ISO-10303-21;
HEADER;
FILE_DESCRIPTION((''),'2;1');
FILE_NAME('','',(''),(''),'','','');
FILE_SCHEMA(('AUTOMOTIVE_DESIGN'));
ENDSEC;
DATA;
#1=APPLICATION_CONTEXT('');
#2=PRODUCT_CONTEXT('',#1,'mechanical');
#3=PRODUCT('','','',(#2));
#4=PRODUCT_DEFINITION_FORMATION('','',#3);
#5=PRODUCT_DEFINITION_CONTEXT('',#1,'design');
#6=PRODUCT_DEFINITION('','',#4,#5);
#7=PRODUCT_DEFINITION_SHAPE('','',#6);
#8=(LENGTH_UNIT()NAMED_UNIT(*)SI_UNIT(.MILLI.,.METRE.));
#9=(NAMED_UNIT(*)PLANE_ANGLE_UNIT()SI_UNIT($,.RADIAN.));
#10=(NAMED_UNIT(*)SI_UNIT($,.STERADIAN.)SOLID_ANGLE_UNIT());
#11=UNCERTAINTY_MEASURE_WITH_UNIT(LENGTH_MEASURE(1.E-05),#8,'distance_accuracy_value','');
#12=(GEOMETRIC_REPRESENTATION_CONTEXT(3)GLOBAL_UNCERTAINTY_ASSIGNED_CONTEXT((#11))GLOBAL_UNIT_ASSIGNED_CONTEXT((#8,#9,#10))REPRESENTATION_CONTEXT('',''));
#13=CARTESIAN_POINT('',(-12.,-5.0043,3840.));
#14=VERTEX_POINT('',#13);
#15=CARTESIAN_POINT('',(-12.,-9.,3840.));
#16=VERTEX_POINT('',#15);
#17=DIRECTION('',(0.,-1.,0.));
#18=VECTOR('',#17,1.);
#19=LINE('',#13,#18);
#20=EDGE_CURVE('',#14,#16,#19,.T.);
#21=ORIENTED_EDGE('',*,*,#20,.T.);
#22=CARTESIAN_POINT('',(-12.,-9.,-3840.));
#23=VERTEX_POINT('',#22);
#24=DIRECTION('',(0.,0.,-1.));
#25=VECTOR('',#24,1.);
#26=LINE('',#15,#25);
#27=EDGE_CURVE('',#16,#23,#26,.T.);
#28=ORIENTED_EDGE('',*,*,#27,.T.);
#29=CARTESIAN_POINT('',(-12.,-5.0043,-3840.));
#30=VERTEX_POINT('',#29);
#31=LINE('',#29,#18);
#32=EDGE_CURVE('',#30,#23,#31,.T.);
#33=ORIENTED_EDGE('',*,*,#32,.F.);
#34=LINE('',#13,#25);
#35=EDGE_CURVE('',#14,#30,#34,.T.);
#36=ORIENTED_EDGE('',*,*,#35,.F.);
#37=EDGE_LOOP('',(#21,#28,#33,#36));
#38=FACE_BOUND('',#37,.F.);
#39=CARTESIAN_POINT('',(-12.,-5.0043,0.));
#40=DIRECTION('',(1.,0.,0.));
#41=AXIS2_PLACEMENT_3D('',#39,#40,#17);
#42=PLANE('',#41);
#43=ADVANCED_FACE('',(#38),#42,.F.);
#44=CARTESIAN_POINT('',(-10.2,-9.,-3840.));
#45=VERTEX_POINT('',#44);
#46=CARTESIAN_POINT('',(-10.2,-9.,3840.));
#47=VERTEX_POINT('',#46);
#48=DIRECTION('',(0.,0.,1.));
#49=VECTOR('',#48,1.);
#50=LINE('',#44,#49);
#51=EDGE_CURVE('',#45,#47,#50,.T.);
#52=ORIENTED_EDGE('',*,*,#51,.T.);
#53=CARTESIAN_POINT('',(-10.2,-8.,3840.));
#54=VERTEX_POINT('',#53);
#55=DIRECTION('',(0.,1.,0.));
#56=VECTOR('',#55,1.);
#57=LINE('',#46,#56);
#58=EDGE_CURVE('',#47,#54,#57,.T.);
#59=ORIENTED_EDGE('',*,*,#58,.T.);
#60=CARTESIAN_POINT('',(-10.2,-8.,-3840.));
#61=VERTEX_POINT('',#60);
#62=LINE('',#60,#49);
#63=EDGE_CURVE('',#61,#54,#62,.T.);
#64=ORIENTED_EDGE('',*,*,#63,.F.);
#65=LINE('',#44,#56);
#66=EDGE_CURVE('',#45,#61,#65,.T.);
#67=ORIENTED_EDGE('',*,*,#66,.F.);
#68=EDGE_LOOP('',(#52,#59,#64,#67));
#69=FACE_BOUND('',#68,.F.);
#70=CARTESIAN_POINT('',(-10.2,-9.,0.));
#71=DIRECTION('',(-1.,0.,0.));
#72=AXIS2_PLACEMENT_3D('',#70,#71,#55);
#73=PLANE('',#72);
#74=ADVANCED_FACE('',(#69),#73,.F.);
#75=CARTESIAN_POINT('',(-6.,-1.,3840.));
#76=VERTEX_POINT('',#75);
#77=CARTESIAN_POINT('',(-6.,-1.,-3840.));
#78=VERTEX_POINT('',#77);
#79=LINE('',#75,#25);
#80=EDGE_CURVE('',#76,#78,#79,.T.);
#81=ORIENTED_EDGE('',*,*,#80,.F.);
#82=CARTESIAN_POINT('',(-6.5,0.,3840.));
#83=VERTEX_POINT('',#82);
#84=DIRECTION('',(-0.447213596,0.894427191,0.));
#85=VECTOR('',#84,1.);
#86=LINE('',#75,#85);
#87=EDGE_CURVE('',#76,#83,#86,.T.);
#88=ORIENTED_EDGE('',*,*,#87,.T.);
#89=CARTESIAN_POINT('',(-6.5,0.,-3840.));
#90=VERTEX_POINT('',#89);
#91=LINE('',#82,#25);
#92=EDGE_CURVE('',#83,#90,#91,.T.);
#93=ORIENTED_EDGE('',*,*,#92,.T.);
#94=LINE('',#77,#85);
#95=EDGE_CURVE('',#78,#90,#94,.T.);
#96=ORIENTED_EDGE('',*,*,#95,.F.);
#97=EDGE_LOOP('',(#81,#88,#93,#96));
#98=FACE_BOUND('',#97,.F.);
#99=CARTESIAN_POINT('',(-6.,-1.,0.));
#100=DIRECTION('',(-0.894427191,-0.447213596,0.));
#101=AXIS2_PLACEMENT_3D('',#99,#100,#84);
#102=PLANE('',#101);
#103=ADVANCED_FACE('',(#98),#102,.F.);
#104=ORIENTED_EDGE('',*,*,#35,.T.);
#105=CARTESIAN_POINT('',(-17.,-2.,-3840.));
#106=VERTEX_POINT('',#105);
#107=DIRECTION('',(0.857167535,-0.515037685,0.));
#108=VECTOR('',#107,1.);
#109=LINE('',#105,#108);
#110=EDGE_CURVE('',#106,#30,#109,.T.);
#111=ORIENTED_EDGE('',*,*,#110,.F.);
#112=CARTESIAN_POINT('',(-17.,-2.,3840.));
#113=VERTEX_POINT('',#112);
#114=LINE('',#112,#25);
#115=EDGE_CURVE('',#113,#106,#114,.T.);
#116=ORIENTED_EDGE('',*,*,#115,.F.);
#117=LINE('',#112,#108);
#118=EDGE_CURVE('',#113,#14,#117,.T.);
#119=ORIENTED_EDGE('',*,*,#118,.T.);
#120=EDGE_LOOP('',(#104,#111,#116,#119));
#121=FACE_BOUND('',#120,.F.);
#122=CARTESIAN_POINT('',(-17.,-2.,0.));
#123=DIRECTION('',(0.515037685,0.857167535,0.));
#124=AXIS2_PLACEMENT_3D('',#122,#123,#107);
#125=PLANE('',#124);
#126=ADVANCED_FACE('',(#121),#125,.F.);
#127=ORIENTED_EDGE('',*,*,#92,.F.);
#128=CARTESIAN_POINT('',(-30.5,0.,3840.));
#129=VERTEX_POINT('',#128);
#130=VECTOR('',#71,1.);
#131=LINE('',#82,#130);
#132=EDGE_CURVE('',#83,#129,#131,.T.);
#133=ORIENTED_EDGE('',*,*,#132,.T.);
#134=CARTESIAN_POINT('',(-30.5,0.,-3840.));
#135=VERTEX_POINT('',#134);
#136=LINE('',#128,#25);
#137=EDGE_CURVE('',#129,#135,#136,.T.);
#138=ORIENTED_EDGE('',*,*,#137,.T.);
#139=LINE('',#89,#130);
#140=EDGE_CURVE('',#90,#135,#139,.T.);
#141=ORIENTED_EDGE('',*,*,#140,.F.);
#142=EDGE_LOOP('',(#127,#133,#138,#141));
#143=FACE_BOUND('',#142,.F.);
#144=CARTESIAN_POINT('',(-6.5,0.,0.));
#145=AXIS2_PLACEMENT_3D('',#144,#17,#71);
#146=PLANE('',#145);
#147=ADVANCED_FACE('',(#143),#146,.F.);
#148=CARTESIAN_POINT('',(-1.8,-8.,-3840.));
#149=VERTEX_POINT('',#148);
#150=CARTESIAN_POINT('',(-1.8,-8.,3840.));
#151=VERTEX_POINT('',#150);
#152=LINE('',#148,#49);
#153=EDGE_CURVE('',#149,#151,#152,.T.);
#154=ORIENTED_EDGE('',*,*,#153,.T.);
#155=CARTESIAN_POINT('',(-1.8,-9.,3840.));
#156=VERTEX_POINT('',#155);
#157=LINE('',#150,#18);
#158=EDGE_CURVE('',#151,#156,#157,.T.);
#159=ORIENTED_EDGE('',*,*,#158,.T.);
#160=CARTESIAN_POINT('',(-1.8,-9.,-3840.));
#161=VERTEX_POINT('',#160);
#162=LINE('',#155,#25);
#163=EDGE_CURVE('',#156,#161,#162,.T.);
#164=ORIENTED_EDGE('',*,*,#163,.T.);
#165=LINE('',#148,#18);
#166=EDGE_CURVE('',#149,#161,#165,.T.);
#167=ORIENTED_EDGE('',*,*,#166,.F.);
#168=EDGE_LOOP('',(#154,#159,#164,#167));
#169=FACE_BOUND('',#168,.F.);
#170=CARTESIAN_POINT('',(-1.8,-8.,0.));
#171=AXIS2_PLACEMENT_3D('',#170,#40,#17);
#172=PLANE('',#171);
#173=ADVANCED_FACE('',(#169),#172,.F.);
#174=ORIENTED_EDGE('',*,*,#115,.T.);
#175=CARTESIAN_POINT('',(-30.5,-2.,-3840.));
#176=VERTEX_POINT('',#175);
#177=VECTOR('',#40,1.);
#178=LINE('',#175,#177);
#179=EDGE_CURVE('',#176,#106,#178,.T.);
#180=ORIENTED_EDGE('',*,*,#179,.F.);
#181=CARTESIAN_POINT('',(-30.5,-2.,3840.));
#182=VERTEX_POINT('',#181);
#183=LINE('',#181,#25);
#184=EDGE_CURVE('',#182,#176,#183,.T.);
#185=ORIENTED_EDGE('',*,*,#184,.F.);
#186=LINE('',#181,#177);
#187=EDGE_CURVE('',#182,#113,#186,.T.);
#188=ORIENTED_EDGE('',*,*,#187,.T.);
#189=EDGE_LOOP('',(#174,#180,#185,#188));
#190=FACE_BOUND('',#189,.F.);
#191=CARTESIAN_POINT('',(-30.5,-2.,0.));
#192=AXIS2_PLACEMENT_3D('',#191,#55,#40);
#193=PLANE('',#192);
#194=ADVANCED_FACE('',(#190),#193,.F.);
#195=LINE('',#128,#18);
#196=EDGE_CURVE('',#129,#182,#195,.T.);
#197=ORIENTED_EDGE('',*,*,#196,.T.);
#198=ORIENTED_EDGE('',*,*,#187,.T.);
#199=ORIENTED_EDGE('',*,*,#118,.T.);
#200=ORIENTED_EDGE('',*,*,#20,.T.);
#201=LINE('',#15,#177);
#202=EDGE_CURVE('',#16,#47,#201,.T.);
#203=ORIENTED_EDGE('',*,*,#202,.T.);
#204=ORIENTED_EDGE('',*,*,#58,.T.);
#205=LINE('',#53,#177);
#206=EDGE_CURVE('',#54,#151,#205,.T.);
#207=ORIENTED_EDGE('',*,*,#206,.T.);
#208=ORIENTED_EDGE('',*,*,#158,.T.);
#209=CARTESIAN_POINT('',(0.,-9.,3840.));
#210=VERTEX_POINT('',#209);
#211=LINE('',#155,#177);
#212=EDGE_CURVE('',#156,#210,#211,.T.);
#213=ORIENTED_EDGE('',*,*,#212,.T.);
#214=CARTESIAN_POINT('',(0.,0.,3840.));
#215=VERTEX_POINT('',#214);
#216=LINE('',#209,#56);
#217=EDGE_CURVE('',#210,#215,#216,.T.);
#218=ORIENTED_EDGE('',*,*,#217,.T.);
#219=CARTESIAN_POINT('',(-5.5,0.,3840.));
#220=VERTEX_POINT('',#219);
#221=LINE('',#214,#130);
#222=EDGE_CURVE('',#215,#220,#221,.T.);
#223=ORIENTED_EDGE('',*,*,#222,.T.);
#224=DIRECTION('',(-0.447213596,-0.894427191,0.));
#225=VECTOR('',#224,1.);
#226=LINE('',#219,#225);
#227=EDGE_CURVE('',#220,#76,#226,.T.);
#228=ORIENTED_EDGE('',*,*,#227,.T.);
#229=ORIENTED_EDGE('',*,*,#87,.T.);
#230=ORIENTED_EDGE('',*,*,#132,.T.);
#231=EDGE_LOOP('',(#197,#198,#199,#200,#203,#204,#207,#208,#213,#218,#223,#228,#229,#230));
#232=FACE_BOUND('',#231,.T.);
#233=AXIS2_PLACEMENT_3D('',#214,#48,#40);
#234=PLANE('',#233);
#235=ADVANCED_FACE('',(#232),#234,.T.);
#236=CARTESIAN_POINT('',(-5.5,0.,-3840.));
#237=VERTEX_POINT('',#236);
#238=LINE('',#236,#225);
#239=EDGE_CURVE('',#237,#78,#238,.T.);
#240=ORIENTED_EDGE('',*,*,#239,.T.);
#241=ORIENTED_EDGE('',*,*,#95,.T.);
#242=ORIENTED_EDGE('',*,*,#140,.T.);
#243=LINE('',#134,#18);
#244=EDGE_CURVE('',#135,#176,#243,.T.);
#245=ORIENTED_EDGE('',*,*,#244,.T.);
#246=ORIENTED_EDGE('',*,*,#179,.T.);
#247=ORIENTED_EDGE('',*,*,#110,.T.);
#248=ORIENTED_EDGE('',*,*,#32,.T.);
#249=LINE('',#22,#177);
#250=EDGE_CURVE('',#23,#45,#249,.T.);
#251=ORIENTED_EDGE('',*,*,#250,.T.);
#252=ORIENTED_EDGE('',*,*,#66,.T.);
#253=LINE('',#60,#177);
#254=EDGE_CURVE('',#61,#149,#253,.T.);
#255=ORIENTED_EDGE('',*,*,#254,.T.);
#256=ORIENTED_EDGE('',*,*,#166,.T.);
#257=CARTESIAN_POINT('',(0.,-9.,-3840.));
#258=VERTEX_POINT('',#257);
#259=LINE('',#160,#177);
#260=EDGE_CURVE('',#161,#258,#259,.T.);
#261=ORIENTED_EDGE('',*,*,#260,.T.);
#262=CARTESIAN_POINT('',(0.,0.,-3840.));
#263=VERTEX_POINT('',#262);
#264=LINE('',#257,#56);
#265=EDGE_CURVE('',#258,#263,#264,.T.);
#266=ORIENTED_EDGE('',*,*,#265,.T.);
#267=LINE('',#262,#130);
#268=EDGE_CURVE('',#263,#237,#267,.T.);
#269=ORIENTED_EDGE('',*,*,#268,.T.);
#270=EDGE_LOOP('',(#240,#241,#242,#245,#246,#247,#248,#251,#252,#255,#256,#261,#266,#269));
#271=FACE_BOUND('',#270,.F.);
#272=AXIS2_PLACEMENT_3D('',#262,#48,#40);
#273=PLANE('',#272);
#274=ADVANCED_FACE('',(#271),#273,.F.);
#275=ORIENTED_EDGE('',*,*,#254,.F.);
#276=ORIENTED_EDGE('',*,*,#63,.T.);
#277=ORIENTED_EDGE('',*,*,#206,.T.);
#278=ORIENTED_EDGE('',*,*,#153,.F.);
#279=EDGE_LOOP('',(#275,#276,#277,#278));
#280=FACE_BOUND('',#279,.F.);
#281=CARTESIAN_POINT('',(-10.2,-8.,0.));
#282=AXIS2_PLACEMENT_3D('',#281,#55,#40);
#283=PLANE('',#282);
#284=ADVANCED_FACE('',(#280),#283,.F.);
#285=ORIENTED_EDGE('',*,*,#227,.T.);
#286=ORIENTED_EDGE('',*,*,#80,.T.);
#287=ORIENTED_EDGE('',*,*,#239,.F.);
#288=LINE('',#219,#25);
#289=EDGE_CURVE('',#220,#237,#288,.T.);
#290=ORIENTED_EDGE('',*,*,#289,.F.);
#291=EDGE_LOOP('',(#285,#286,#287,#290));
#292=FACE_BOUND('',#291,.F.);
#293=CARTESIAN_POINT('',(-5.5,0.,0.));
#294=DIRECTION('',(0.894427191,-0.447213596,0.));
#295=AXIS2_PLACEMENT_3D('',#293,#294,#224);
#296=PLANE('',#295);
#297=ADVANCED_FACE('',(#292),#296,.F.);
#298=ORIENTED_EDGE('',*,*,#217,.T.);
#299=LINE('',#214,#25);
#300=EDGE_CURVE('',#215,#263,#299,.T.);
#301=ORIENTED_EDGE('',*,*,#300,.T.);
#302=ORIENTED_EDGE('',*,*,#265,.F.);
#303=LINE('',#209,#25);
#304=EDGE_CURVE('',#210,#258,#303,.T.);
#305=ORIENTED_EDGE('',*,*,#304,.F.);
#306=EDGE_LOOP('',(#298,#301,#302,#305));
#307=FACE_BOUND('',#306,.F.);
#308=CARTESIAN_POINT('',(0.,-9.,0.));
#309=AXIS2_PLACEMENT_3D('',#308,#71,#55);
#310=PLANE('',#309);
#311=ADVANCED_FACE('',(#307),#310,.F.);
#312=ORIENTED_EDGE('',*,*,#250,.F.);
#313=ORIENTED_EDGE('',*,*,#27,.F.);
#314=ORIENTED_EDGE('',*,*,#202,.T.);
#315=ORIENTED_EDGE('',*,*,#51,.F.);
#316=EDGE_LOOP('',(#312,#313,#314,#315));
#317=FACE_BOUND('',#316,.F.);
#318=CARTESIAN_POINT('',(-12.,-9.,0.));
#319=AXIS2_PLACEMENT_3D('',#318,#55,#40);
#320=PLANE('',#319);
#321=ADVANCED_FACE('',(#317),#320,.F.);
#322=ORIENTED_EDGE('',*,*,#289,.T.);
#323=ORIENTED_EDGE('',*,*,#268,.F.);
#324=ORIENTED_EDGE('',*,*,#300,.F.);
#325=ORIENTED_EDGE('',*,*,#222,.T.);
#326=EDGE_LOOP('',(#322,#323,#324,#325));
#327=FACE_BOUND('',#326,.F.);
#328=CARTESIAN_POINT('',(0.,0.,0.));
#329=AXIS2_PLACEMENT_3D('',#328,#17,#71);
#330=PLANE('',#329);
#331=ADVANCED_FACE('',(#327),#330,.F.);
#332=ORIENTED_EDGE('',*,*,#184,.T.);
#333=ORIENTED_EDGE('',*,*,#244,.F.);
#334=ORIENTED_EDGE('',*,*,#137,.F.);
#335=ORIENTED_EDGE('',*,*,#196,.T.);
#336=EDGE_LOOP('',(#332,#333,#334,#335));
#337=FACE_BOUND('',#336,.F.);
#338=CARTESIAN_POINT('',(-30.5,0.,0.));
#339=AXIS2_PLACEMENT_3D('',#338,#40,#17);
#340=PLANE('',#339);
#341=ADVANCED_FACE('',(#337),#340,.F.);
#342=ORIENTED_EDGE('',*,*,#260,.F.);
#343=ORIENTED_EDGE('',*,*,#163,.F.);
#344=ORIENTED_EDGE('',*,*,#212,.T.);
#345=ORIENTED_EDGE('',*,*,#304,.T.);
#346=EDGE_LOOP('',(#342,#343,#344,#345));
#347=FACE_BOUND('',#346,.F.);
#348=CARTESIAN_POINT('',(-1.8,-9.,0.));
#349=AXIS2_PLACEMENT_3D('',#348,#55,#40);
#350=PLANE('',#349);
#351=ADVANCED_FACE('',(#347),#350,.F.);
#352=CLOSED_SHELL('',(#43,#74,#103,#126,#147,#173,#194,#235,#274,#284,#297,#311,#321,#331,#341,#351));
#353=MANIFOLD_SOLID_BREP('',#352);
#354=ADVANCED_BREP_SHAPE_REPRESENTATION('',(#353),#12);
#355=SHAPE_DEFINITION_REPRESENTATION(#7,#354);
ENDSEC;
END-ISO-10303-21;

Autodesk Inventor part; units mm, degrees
ref_plane "YZ Plane" through (0, 0, 0) normal (1, 0, 0) x (0, 1, 0)
ref_plane "XZ Plane" through (0, 0, 0) normal (0, 1, 0) x (-1, 0, 0)
ref_plane "XY Plane" through (0, 0, 0) normal (0, 0, 1) x (1, 0, 0)
sketch "스케치9" plane through (0, 0, 0) normal (0, 0, 1) x (1, 0, 0)
  line L0 (-10.2, -9) -> (-10.2, -8)
  line L1 (-10.2, -8) -> (-1.8, -8)
  line L2 (-1.8, -8) -> (-1.8, -9)
  line L3 (-1.8, -9) -> (0, -9)
  line L4 (0, -9) -> (0, 0)
  line L5 (0, 0) -> (-5.5, 0)
  line L6 (-5.5, 0) -> (-6, -1)
  line L7 (-6, -1) -> (-6.5, 0)
  line L8 (-6.5, 0) -> (-30.5, 0)
  line L9 (-30.5, 0) -> (-30.5, -2)
  line L10 (-30.5, -2) -> (-17, -2)
  line L11 (-17, -2) -> (-12, -5.0043)
  line L12 (-12, -5.0043) -> (-12, -9)
  line L13 (-12, -9) -> (-10.2, -9)
  point P0 (0, 0)
  dimension "d42" = 9
  dimension "d45" = 30.5
extrude "돌출4" add sketch "스케치9" along normal mid plane 7680
equation "\"d46\" = L1 + L2"
equation "\"L1\" = 6000"
equation "\"L2\" = 1680"
properties part number "TL20240701-10100CV-DY1055" material "AL6061"
